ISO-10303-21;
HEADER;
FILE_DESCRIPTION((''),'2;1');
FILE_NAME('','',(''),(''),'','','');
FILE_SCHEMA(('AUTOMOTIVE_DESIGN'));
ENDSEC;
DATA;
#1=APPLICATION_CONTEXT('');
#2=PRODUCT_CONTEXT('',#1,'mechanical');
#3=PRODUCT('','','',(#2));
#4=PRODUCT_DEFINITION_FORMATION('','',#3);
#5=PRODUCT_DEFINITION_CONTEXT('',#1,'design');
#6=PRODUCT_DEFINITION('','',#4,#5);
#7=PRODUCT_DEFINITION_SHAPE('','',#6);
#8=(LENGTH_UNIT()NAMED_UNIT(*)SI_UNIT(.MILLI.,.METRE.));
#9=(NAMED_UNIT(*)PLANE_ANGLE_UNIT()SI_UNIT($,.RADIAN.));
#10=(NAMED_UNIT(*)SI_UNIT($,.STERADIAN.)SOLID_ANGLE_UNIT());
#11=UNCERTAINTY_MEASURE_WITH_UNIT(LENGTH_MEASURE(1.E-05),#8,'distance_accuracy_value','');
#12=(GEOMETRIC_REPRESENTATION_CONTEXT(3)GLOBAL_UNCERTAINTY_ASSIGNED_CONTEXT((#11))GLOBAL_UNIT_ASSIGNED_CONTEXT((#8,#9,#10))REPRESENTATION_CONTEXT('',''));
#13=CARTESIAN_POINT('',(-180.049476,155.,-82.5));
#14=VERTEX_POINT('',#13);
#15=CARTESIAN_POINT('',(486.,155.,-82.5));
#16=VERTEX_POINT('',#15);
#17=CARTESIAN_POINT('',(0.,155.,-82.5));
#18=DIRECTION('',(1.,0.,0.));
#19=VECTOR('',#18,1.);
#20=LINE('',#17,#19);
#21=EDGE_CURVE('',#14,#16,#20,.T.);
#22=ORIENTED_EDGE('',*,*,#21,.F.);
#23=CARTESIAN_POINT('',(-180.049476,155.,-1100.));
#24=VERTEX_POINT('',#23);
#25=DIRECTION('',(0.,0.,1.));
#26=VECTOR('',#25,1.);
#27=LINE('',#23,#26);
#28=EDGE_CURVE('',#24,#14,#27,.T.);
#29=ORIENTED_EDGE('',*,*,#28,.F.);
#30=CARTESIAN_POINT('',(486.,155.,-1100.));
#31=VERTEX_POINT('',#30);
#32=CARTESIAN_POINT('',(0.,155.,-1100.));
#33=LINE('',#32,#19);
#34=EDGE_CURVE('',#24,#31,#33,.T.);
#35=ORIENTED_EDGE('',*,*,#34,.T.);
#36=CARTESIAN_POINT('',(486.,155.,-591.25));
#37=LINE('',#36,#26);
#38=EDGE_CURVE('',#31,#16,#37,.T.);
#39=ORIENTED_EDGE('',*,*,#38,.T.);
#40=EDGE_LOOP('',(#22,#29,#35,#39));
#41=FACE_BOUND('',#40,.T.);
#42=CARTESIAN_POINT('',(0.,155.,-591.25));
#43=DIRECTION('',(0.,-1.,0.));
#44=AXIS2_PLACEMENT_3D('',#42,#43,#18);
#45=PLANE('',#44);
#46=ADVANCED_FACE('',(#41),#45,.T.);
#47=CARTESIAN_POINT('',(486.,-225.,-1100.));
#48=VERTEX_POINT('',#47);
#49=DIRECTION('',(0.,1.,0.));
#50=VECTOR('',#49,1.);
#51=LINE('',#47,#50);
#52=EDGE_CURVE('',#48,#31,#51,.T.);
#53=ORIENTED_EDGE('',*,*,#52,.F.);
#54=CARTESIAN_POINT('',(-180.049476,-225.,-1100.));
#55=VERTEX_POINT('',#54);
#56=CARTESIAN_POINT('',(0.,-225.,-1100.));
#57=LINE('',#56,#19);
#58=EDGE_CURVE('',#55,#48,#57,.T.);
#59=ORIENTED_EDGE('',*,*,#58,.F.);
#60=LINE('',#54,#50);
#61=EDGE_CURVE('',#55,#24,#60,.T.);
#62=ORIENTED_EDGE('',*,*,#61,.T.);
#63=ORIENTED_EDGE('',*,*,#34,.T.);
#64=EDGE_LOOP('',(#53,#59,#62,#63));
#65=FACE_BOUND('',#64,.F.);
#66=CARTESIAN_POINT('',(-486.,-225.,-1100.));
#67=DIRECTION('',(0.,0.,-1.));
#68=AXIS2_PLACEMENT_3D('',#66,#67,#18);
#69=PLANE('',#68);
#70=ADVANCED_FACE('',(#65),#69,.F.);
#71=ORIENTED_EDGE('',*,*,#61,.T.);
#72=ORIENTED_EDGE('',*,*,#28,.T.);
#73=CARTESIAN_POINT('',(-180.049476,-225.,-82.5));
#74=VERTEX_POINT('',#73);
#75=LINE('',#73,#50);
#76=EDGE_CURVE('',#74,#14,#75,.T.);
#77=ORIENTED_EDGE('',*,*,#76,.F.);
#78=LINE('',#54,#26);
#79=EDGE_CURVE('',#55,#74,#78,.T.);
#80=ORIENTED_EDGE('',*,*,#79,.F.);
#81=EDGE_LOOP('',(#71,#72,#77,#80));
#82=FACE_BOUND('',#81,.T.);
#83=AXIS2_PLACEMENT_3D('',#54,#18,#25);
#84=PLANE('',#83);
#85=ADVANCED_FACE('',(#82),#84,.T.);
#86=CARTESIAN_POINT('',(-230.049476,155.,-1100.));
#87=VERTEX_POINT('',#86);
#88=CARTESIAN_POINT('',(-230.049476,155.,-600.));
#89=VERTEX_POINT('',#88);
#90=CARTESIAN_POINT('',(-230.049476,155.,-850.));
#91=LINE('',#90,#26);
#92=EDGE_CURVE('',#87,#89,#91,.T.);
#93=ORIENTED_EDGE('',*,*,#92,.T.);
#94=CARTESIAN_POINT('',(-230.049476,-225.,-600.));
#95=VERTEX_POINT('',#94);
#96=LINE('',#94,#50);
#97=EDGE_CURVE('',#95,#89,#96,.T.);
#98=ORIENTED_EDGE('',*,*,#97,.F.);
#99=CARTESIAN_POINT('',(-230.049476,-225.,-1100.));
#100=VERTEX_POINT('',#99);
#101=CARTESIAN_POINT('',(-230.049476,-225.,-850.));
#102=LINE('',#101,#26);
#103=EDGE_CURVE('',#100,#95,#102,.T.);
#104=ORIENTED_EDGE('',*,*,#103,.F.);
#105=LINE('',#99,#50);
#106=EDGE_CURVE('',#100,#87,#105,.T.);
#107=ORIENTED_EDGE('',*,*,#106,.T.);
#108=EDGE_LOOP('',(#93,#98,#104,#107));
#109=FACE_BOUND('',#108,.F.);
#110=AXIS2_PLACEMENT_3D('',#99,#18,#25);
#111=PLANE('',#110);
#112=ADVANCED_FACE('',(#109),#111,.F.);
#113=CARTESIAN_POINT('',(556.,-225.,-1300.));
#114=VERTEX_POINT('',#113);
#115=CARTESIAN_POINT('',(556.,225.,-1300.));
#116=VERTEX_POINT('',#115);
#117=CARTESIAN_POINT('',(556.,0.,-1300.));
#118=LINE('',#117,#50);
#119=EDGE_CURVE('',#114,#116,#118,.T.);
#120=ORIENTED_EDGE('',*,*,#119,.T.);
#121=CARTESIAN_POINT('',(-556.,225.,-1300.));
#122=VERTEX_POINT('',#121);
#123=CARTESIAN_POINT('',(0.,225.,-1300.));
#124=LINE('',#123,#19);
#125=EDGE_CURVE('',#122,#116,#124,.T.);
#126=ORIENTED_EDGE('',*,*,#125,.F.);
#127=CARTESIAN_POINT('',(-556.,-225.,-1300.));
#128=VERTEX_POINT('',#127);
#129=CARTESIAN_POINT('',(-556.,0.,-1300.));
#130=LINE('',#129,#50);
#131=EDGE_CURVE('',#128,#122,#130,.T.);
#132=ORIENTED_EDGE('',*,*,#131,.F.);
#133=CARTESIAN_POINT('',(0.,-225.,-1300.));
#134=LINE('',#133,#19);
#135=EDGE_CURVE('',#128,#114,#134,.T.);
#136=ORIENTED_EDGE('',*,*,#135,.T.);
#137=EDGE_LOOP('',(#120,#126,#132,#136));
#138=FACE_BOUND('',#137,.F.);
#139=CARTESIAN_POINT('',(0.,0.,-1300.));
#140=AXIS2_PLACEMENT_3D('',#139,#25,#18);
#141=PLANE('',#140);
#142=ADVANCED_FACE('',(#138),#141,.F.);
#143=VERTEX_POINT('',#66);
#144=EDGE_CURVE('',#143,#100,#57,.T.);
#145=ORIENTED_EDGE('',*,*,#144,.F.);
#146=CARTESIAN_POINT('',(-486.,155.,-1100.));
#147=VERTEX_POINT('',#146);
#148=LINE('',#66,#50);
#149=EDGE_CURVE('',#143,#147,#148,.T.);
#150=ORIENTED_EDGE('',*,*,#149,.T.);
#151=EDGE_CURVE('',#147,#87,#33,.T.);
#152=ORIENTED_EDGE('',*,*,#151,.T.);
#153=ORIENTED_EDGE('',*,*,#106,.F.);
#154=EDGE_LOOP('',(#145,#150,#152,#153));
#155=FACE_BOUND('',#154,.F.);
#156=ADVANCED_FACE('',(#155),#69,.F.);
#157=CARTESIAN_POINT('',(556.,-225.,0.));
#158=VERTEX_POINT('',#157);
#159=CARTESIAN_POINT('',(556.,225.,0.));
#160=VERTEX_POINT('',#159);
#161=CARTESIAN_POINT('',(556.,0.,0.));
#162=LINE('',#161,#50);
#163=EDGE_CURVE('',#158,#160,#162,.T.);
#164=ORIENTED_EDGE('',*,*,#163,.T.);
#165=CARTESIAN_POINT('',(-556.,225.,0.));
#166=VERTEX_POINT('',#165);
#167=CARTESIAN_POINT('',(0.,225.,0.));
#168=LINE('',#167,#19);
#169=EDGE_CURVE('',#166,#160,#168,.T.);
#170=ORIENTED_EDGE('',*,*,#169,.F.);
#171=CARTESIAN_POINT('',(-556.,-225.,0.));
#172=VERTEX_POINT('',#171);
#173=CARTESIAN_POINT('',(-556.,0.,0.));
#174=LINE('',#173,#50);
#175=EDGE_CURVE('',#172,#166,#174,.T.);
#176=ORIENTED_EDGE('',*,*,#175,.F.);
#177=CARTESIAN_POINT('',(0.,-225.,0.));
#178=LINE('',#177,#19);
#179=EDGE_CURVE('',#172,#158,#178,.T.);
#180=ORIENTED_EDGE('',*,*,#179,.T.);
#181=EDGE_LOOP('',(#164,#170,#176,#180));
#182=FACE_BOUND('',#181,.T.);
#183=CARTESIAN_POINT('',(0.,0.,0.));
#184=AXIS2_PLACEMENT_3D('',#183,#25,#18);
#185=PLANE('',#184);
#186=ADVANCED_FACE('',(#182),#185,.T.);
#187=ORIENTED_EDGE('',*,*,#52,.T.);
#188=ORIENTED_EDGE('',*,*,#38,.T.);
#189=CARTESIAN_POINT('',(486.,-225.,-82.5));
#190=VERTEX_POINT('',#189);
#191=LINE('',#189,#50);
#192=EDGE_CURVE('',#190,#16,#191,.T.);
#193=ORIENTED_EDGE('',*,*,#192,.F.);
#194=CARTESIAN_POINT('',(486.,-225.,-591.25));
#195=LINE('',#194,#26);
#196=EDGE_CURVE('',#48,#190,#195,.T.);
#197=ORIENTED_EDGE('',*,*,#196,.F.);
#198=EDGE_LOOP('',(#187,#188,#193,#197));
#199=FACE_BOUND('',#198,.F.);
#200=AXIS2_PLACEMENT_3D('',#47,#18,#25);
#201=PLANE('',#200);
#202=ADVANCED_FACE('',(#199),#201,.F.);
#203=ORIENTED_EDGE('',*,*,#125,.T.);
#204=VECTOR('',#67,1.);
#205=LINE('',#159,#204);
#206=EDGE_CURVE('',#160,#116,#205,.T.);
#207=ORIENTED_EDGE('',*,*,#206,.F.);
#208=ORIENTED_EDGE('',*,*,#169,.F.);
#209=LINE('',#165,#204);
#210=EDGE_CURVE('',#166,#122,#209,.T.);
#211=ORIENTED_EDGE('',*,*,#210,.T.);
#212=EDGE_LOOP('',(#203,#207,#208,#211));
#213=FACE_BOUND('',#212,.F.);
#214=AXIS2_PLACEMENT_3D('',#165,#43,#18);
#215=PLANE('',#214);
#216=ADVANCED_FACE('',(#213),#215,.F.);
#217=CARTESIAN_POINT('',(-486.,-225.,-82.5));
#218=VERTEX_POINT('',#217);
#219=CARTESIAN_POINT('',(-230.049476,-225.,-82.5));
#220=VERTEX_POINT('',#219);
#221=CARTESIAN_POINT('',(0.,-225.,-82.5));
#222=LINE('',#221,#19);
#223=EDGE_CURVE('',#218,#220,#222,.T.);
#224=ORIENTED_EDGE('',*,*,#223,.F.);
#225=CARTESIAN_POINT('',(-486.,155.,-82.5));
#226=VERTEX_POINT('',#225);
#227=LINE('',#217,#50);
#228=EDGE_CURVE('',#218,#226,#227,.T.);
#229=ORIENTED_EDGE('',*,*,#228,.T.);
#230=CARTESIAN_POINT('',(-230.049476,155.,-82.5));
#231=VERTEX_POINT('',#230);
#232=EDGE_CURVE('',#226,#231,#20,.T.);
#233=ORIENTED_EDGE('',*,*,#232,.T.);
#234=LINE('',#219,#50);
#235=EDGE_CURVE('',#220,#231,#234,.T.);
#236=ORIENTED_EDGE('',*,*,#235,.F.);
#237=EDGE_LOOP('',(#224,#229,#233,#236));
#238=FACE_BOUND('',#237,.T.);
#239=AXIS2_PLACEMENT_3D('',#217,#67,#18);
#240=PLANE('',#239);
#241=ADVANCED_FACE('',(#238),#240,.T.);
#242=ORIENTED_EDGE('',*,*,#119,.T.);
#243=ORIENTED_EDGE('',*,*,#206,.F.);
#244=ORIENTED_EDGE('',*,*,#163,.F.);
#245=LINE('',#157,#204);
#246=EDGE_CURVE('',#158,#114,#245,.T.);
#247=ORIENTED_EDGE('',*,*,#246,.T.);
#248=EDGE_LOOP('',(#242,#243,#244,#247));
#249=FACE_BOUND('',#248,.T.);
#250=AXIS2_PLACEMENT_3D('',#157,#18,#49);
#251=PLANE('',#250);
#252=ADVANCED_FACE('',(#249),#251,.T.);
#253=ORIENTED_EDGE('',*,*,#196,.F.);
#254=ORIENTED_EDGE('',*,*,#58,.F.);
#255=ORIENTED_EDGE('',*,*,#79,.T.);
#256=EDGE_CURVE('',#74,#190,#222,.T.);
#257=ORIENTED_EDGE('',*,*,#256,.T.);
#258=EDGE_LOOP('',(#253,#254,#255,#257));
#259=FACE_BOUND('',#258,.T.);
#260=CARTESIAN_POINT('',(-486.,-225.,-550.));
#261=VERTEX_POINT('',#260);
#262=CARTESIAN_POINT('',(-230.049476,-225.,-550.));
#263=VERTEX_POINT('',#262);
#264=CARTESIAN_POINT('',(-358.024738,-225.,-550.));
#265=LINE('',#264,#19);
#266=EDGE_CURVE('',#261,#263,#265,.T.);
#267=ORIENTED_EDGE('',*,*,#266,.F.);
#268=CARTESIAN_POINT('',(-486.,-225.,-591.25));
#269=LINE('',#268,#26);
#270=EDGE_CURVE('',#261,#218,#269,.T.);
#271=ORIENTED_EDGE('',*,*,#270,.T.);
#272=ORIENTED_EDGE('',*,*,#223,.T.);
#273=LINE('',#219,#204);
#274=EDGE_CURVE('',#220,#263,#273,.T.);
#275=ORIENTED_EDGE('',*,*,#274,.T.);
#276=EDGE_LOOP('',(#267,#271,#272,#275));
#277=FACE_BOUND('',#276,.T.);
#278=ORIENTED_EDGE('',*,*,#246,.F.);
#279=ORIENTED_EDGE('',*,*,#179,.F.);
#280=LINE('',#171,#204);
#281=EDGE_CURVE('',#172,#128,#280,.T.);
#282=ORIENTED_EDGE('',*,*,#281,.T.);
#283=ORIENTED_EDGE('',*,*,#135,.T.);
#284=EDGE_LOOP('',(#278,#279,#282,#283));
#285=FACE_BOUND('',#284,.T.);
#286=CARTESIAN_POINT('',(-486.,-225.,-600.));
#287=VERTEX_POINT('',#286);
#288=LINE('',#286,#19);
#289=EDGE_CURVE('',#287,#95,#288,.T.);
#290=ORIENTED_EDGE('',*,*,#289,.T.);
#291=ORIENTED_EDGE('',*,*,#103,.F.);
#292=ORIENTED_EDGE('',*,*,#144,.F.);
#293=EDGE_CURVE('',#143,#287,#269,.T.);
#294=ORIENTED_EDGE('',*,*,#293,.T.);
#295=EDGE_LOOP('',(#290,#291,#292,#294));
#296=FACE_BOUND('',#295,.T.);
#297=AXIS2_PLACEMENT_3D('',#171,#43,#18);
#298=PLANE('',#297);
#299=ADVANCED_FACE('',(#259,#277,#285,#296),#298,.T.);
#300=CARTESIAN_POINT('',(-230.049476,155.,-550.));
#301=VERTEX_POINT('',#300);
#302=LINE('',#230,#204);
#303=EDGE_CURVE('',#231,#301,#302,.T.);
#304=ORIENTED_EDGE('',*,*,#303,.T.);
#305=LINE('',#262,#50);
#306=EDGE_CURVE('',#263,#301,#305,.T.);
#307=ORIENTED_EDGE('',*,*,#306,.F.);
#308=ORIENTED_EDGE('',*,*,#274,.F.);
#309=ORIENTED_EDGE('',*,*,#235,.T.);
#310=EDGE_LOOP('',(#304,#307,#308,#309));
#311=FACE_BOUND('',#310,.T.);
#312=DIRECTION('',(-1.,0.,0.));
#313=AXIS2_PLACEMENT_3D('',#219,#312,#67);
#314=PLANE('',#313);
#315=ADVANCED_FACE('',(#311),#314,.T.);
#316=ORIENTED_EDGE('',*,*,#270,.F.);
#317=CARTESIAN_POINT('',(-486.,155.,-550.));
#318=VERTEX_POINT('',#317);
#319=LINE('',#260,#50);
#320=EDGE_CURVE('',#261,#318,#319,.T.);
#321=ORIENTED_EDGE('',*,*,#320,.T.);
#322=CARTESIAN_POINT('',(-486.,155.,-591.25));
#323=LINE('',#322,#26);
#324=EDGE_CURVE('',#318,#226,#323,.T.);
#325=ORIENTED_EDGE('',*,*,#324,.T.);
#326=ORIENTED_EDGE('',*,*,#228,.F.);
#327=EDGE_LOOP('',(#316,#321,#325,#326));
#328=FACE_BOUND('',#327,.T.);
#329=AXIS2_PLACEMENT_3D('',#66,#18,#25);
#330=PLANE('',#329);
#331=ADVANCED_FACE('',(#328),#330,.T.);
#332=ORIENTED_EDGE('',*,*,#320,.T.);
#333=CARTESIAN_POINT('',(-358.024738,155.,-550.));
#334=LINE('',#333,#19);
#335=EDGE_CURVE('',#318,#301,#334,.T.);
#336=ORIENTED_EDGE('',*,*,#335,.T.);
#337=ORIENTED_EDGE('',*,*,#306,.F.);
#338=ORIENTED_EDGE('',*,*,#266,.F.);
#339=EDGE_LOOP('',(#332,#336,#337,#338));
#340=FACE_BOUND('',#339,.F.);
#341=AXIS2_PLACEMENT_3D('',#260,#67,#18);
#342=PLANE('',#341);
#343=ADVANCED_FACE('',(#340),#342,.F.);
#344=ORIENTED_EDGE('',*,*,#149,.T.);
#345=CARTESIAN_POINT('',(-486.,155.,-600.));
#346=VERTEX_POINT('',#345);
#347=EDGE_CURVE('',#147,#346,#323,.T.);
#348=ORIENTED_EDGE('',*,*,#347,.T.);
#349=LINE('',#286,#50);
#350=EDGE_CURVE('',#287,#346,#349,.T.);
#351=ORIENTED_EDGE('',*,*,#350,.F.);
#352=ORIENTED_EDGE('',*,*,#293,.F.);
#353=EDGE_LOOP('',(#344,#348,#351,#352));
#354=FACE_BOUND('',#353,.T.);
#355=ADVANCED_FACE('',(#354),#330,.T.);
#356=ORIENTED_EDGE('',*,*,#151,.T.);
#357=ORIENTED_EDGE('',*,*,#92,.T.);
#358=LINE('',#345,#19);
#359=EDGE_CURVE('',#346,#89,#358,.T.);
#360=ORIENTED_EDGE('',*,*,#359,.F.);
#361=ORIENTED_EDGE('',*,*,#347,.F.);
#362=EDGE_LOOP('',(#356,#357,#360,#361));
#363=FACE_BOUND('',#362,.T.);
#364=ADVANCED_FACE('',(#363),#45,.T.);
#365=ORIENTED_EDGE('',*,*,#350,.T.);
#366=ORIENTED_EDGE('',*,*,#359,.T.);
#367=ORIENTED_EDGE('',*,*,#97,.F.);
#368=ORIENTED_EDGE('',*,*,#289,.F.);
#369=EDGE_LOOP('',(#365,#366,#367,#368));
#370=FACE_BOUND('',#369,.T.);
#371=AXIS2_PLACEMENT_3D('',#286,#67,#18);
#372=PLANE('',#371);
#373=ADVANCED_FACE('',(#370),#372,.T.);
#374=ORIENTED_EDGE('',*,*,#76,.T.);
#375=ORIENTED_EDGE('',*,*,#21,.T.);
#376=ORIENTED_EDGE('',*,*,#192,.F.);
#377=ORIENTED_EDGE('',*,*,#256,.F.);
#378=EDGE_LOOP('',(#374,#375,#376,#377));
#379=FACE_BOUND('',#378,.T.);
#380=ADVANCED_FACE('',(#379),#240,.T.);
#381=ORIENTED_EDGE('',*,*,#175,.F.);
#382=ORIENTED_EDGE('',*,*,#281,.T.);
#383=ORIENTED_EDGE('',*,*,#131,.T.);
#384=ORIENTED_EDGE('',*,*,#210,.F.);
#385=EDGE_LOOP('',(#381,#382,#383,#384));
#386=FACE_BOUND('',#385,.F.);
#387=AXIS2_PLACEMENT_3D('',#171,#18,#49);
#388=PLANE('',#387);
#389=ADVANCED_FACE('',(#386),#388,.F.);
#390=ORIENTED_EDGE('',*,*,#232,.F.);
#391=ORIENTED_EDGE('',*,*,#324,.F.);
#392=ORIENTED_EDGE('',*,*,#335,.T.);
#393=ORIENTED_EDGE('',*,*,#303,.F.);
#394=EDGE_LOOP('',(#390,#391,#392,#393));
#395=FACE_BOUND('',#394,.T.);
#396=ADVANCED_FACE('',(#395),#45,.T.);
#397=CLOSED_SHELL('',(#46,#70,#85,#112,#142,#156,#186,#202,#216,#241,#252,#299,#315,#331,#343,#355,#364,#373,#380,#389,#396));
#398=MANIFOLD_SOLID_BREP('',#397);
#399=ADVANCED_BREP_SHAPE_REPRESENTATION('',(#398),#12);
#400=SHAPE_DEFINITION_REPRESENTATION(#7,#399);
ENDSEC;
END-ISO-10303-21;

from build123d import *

# Parameters (mm, degrees)
F0_W     = 1112
F0_H     = 450
F1_DEPTH = 1300
F2_W     = 972
F2_H     = 1017.5
F3_DEPTH = 380
F4_W     = 50
F4_H     = 467.5
F4_H_2   = 50
F4_W_2   = 255.950524
F4_H_3   = 500
F5_DEPTH = 380


with BuildPart() as f1:
    # F0 (on Top) → F1 (new body)
    with BuildSketch(Plane.XY):
        Rectangle(F0_W, F0_H)
    extrude(amount=-F1_DEPTH)

    # F2 (on face) → F3 (cut)
    with BuildSketch(Plane.XZ.offset(225)):
        with Locations((0, -591.25)):
            Rectangle(F2_W, F2_H)
    extrude(amount=-F3_DEPTH, mode=Mode.SUBTRACT)

    # F4 (on face) → F5 (join)
    with BuildSketch(Plane.XZ.offset(225)):
        with Locations((-205.049476, -316.25)):
            Rectangle(F4_W, F4_H)
        with Locations((-205.049476, -575)):
            Rectangle(F4_W, F4_H_2)
        with Locations((-358.024738, -575)):
            Rectangle(F4_W_2, F4_H_2)
        with Locations((-205.049476, -850)):
            Rectangle(F4_W, F4_H_3)
    extrude(amount=-F5_DEPTH)


solid = f1.part
